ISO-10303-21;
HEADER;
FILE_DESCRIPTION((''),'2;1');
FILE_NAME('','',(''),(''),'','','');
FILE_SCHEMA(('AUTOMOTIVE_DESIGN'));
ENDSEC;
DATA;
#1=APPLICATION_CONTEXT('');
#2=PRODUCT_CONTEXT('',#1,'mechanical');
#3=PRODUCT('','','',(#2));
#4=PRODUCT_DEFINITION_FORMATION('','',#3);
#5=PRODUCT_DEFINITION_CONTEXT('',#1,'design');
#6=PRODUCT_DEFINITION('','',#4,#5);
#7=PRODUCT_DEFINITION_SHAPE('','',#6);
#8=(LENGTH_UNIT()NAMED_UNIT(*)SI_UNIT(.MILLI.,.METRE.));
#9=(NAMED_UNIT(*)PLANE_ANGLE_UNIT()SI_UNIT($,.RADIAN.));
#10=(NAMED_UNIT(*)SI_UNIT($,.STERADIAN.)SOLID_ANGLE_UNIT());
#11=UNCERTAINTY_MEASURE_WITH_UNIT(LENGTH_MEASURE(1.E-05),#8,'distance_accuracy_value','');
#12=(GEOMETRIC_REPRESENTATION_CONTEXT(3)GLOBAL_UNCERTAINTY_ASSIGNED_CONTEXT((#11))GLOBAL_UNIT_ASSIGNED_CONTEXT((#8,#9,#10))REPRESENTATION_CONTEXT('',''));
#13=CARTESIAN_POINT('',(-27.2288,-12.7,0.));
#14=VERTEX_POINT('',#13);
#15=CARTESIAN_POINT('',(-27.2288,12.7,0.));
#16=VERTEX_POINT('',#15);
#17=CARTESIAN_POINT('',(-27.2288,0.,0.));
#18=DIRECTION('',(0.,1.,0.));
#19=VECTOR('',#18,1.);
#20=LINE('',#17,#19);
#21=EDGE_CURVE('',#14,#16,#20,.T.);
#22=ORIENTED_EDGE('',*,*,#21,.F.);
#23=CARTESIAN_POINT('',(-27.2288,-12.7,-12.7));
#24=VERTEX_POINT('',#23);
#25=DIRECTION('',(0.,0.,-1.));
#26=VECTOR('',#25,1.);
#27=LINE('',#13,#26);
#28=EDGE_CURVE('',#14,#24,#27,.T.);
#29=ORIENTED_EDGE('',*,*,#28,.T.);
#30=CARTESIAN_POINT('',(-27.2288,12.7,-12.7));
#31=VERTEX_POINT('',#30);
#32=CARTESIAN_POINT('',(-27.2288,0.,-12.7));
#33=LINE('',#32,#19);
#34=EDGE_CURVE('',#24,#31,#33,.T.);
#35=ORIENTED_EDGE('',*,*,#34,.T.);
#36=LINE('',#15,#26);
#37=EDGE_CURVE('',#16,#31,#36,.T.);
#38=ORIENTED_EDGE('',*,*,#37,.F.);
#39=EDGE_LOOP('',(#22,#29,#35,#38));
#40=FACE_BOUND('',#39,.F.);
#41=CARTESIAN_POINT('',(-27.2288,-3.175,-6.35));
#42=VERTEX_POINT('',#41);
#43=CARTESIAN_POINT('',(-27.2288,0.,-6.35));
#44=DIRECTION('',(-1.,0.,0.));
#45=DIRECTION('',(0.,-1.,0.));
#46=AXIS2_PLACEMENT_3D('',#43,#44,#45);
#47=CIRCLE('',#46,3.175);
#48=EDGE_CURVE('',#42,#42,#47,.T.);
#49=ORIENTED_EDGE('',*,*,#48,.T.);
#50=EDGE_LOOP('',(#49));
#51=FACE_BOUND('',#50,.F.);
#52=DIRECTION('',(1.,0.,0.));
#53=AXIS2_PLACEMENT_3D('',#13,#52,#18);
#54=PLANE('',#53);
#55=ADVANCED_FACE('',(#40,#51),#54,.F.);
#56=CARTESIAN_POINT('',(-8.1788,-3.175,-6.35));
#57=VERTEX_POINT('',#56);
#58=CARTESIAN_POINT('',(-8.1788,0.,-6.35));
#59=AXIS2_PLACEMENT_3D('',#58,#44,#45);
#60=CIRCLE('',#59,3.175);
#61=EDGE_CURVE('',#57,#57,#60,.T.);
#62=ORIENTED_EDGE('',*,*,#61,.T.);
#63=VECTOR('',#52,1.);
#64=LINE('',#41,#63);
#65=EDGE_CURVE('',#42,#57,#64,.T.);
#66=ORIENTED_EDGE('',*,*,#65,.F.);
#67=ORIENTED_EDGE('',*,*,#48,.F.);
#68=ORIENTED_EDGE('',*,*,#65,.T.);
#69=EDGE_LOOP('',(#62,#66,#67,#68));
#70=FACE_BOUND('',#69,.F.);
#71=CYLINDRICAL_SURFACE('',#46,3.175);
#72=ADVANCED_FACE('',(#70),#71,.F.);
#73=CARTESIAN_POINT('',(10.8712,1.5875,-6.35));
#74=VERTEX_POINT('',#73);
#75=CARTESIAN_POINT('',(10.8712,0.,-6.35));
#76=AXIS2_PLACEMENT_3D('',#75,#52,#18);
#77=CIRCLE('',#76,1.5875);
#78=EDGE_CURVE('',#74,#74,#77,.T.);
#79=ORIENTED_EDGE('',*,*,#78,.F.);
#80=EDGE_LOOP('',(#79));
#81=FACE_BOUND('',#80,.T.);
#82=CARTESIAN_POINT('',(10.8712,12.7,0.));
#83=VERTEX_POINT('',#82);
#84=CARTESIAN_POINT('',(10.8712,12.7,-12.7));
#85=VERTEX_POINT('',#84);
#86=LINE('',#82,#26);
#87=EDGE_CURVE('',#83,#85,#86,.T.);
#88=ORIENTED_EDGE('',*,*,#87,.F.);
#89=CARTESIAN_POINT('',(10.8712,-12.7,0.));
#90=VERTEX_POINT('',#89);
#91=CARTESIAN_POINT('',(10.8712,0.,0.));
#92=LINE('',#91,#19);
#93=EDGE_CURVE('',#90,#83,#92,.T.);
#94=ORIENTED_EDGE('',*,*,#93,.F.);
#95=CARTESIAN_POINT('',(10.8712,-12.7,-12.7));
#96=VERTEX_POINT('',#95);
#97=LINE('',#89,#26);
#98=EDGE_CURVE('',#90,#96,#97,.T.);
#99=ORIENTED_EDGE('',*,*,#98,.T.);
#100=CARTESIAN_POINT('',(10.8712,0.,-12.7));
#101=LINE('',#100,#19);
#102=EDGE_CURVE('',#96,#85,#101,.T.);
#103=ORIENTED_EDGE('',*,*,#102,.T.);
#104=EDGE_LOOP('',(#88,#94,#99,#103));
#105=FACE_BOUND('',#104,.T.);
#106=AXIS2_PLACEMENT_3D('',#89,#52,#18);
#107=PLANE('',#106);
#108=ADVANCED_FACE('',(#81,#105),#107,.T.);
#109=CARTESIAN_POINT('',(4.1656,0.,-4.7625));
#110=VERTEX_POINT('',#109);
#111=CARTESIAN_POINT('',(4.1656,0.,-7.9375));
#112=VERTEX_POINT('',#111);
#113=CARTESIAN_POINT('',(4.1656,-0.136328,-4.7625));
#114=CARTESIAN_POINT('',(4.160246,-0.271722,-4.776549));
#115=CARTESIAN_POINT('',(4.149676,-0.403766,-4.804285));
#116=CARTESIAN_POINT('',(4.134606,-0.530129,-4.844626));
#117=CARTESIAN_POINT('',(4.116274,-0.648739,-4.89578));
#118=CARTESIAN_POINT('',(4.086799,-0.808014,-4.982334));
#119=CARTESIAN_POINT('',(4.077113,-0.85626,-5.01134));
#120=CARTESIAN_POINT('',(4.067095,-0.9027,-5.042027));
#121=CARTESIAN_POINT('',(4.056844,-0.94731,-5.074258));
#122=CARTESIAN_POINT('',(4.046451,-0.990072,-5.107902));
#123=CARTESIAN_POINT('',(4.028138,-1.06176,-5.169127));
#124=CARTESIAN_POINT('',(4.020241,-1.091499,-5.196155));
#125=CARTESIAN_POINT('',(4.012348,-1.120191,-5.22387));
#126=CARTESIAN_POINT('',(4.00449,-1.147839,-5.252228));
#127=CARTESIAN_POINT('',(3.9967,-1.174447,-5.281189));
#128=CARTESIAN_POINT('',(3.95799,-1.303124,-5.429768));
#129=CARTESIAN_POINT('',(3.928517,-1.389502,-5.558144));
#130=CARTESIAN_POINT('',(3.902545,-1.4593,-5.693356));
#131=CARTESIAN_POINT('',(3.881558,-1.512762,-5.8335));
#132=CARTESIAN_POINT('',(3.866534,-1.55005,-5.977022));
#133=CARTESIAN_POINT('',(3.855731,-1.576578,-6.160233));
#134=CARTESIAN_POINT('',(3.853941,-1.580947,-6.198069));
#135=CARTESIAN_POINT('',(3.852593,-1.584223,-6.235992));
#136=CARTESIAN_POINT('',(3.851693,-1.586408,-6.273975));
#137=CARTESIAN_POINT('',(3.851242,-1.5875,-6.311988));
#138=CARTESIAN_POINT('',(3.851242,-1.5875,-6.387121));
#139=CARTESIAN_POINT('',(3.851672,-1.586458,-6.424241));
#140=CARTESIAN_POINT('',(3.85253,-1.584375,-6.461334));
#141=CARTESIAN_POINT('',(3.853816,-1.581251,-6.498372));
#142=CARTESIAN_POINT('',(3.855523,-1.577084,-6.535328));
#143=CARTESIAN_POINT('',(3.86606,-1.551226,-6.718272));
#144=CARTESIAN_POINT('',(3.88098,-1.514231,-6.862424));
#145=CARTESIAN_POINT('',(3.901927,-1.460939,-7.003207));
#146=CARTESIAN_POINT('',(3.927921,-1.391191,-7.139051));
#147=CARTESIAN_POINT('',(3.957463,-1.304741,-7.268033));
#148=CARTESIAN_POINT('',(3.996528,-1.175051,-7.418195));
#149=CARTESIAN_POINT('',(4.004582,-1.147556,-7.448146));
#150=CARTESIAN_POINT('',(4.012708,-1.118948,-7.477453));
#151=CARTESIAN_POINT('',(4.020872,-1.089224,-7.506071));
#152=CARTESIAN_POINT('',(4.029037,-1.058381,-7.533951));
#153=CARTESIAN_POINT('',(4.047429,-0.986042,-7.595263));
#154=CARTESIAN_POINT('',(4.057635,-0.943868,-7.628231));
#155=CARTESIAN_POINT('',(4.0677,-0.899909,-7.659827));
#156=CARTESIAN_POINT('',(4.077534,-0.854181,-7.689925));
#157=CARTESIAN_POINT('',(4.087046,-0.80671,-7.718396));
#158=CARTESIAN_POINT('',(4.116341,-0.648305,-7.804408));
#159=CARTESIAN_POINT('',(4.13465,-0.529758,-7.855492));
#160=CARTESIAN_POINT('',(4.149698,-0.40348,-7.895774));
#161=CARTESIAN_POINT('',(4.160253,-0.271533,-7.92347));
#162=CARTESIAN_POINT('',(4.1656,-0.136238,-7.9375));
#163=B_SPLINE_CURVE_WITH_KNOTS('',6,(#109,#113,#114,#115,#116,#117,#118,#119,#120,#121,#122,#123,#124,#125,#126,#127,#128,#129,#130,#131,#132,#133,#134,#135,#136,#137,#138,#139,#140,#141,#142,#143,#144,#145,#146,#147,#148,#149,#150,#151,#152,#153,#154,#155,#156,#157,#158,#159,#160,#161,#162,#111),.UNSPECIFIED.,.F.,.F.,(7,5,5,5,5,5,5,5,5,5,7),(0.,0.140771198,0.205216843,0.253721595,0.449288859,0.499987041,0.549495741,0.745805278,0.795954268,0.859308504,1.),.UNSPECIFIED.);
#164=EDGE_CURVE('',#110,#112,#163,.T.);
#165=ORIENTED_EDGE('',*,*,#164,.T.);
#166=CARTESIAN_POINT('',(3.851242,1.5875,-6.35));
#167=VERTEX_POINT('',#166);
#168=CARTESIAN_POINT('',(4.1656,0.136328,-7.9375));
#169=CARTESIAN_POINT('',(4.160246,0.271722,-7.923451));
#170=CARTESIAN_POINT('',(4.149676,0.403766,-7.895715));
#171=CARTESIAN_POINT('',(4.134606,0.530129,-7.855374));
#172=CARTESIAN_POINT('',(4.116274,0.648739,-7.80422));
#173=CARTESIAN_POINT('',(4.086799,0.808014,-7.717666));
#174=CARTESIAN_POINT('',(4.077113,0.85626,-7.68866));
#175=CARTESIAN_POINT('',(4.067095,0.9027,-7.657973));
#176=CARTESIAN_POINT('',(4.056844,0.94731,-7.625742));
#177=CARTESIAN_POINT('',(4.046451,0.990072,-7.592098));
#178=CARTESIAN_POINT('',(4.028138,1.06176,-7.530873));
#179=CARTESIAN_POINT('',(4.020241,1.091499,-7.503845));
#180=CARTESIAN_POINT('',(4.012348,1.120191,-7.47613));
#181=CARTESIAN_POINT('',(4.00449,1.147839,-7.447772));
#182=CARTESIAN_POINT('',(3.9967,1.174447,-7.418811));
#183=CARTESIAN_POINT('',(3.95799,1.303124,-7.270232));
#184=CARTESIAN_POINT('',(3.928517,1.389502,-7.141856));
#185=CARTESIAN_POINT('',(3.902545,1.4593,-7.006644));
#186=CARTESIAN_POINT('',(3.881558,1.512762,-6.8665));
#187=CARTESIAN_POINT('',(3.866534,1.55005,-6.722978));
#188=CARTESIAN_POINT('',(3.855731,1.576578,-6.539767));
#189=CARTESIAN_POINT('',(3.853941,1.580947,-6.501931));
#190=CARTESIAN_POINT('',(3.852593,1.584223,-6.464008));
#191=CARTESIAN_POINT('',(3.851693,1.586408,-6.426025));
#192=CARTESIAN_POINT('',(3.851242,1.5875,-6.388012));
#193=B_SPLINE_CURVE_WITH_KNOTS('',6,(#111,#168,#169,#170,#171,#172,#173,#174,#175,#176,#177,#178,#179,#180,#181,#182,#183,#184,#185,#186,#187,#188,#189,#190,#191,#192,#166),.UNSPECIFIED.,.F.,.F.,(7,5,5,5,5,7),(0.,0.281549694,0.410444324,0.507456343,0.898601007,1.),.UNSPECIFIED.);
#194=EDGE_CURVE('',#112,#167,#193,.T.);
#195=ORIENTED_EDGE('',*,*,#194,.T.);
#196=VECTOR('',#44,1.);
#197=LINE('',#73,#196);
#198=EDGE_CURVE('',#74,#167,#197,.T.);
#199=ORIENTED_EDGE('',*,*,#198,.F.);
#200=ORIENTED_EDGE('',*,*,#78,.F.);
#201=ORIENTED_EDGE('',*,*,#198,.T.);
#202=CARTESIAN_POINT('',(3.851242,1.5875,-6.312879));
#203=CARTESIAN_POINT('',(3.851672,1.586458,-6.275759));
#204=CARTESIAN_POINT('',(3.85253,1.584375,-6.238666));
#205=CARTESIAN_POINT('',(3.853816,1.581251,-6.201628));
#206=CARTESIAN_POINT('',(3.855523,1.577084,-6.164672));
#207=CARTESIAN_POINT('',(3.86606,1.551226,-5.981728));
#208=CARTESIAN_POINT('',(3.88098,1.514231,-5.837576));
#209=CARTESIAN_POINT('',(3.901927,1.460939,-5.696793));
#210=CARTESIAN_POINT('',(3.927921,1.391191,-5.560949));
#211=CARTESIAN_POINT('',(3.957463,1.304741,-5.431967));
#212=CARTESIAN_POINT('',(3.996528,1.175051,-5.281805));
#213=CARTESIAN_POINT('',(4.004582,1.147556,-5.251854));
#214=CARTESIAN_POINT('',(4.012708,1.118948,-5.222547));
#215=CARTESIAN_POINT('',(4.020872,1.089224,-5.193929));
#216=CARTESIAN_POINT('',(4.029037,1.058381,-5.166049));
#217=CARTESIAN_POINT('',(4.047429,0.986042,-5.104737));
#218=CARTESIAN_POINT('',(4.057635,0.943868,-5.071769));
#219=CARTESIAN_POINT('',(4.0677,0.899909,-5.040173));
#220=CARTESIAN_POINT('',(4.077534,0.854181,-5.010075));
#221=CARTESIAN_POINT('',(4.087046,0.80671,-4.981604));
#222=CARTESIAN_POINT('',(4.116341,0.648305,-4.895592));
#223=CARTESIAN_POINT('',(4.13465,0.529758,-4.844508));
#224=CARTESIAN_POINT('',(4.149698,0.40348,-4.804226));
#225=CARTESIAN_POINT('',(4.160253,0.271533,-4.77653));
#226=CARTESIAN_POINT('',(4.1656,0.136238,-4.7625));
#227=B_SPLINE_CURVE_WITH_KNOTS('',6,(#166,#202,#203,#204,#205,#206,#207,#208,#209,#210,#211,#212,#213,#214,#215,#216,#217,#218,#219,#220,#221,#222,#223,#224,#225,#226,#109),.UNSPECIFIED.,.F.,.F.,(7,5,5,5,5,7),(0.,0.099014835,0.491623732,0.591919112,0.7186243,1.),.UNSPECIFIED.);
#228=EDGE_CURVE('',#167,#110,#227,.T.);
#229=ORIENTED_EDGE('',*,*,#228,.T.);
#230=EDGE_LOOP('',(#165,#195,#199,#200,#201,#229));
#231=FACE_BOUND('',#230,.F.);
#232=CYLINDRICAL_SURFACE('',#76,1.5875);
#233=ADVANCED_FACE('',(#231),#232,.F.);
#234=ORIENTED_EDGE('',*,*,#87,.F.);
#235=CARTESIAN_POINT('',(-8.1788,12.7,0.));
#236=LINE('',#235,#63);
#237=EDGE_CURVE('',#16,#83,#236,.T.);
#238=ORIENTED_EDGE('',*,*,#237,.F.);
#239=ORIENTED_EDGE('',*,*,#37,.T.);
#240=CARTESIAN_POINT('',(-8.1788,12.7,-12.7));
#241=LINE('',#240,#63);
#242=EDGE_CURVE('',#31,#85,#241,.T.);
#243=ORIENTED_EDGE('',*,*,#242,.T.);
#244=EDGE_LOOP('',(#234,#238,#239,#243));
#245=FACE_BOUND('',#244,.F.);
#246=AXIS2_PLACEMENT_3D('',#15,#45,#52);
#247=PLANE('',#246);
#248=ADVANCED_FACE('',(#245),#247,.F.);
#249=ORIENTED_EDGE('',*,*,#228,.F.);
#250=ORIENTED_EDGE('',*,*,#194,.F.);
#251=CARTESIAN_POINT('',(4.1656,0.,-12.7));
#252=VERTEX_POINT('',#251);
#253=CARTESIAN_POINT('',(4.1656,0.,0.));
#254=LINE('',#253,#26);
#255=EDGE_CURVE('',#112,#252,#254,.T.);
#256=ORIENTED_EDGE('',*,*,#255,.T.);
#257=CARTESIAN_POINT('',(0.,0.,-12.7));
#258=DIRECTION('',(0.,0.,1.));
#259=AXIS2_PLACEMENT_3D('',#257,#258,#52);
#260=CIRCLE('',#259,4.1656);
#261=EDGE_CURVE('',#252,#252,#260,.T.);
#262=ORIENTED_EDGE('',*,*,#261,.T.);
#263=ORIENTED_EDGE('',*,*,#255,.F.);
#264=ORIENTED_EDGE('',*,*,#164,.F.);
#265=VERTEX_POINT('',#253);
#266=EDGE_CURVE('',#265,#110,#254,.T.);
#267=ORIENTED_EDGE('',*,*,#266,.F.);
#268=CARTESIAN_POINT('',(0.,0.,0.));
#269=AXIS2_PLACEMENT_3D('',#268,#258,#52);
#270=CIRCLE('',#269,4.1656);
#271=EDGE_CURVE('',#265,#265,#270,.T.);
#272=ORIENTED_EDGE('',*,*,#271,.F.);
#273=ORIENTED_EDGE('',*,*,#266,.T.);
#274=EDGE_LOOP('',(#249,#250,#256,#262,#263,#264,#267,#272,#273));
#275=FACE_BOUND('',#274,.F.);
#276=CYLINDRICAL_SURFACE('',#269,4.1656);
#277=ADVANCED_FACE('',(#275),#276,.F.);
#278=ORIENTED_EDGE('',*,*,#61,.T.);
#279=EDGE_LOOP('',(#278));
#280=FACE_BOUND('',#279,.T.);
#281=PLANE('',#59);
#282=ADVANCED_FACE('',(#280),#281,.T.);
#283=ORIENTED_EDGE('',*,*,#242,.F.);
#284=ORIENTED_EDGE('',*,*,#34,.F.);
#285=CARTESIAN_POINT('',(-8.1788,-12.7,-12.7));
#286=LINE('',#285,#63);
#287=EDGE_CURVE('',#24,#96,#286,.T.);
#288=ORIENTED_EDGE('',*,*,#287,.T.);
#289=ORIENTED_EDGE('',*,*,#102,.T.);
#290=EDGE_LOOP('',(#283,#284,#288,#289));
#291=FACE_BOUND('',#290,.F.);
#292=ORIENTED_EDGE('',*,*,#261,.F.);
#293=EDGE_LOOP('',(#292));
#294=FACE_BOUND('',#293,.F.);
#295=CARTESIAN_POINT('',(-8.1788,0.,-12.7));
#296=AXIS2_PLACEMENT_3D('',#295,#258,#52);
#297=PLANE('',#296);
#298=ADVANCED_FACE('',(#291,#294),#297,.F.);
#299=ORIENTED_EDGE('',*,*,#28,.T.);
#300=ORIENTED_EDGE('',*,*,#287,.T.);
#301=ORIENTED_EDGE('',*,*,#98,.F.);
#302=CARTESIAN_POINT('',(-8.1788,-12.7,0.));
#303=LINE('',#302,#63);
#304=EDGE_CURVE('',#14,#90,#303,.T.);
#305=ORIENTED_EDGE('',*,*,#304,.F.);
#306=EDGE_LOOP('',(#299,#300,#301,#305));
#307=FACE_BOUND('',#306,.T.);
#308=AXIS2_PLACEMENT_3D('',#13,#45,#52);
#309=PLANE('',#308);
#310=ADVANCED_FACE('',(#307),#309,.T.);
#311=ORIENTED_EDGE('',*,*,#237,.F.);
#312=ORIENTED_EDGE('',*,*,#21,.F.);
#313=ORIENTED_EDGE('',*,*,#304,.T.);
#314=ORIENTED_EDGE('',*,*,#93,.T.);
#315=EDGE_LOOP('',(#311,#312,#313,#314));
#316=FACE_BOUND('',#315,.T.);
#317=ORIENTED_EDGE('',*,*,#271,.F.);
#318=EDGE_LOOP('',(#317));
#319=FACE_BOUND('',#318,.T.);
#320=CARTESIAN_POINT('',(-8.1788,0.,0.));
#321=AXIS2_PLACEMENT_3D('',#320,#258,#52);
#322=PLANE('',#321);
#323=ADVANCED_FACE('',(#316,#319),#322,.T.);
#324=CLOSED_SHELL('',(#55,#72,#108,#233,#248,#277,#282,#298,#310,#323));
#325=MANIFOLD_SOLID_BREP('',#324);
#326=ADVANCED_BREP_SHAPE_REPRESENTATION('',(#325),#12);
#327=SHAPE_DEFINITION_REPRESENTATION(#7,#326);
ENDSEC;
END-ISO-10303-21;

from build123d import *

# Parameters (mm, degrees)
F0_W     = 38.1
F0_H     = 25.4
F0_R     = 4.1656
F1_DEPTH = 12.7
F2_R     = 3.175
F3_DEPTH = 19.05
F4_R     = 1.5875
F5_DEPTH = 12.7


with BuildPart() as f1:
    # F0 (on Top) → F1 (new body)
    with BuildSketch(Plane.XY):
        with Locations((-8.1788, 0)):
            Rectangle(F0_W, F0_H)
        Circle(F0_R, mode=Mode.SUBTRACT)
    extrude(amount=-F1_DEPTH)

    # F2 (on face) → F3 (cut)
    with BuildSketch(Plane(origin=(-27.2288, 0, 0), x_dir=(0, -1, 0), z_dir=(-1, 0, 0))):
        with Locations((0, -6.35)):
            Circle(F2_R)
    extrude(amount=-F3_DEPTH, mode=Mode.SUBTRACT)

    # F4 (on face) → F5 (cut)
    with BuildSketch(Plane.YZ.offset(10.8712)):
        with Locations((0, -6.35)):
            Circle(F4_R)
    extrude(amount=-F5_DEPTH, mode=Mode.SUBTRACT)


solid = f1.part
